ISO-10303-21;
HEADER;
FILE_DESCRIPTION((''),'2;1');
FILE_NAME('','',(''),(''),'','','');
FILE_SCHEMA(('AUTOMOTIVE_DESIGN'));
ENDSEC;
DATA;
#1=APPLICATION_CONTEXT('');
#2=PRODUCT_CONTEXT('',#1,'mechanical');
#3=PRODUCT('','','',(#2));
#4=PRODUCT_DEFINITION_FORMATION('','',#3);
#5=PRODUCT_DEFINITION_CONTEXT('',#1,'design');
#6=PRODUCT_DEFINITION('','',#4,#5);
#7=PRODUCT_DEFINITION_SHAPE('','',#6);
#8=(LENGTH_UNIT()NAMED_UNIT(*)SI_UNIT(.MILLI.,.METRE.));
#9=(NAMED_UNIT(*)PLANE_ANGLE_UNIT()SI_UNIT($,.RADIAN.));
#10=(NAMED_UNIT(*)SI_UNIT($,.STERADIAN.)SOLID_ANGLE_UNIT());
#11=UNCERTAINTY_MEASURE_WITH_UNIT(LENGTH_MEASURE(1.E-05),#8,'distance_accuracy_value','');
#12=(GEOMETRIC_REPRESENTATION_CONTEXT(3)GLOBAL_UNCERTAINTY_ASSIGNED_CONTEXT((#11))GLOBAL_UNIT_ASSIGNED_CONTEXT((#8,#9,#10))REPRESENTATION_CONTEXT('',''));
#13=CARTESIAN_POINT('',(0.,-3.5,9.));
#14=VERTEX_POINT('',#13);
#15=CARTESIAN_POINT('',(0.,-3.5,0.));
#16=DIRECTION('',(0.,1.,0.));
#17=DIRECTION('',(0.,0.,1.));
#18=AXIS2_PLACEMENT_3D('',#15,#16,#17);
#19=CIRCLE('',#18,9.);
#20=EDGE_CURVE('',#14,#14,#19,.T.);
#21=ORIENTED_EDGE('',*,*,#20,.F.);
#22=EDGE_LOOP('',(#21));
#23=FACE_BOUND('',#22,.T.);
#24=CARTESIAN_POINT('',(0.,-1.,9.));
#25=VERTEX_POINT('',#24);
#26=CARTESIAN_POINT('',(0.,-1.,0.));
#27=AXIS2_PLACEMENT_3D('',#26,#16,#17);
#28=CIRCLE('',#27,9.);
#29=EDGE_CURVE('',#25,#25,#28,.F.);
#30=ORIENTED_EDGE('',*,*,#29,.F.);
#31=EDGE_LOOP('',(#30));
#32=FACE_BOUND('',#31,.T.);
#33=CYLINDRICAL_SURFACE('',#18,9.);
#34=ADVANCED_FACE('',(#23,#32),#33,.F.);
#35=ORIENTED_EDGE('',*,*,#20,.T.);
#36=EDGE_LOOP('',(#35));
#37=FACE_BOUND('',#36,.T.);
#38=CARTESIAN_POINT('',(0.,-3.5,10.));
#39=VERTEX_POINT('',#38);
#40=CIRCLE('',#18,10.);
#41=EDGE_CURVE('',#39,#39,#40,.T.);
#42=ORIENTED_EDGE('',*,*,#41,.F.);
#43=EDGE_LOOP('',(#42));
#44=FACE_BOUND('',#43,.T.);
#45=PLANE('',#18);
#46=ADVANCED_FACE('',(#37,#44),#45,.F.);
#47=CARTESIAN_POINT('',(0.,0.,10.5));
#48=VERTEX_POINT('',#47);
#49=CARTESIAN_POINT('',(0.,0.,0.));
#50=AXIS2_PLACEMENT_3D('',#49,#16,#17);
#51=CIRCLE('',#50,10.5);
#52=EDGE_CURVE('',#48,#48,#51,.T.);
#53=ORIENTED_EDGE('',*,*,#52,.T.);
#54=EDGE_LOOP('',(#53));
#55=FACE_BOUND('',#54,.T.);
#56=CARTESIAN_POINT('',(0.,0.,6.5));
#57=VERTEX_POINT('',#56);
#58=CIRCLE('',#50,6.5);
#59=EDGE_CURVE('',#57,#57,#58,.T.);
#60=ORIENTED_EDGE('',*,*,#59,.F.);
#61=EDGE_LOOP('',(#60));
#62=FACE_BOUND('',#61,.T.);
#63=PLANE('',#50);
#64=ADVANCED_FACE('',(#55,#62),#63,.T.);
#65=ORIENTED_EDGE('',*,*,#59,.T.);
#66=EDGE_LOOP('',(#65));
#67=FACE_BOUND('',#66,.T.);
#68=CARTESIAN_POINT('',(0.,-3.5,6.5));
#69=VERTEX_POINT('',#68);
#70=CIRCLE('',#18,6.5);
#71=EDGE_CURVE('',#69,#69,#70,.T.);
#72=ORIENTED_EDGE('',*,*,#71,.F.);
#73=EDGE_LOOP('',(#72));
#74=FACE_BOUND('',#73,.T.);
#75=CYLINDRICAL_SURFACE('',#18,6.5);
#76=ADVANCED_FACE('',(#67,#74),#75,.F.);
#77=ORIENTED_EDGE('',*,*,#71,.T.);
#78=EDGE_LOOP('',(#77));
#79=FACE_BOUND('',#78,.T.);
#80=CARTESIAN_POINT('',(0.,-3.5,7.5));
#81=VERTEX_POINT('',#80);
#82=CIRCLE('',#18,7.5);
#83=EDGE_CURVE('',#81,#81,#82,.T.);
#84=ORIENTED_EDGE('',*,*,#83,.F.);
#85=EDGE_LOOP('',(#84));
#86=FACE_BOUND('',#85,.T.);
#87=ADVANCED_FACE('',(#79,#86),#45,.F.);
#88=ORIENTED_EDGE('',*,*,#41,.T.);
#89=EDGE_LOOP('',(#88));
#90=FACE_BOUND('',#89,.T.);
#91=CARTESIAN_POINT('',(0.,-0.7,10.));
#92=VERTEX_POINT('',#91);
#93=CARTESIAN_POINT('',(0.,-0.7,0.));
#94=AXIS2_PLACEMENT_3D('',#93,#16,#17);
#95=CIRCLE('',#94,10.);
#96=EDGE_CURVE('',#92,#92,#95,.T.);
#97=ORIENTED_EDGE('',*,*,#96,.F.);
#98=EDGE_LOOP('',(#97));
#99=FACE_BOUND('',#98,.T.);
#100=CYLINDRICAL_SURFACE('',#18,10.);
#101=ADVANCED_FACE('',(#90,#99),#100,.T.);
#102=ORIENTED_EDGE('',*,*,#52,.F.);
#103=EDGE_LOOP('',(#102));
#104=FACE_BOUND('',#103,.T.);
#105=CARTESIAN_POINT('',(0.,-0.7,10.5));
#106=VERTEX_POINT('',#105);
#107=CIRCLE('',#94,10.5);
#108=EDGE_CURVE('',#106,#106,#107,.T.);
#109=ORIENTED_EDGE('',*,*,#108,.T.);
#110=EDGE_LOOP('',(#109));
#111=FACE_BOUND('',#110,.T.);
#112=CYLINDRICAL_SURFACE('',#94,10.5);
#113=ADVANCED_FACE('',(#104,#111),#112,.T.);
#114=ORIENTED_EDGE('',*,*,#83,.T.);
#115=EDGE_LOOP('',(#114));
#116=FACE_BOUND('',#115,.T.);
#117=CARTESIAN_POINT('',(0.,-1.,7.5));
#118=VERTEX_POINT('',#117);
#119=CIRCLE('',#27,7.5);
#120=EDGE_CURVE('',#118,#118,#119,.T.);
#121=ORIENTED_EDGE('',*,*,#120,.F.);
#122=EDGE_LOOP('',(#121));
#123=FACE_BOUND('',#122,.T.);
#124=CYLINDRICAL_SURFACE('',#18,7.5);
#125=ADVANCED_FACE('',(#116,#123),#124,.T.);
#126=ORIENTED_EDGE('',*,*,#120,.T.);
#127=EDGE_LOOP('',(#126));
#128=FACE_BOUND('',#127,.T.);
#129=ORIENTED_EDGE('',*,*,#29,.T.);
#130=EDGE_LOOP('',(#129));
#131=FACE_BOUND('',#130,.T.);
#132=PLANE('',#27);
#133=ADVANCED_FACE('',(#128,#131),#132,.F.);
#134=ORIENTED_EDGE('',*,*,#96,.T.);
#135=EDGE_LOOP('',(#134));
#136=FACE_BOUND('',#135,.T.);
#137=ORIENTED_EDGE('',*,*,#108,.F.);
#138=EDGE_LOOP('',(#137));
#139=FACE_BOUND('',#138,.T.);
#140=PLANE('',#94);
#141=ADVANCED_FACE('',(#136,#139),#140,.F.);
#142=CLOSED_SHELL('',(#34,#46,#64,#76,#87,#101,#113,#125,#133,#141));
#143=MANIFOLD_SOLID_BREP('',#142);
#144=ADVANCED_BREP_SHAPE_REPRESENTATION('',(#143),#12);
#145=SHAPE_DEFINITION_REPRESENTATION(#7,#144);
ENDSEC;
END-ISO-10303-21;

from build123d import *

# Parameters (mm, degrees)
ESQUISSE1_R      = 10
ESQUISSE1_R_2    = 6.5
EXTRUSION1_DEPTH = 3.5
ESQUISSE2_R      = 10.5
ESQUISSE2_R_2    = 10
EXTRUSION2_DEPTH = 0.7
COQUE1_T         = -1


with BuildPart() as part:
    # Esquisse1 → Extrusion1 (new body)
    with BuildSketch(Plane(origin=(0, 0, 0), x_dir=(1, 0, 0), z_dir=(0, 1, 0))):
        with Locations(Location((0, 0, 0), (0, 0, 270))):  # turned: the seam where the file's is
            Circle(ESQUISSE1_R)
        with Locations(Location((0, 0, 0), (0, 0, 270))):  # turned: the seam where the file's is
            Circle(ESQUISSE1_R_2, mode=Mode.SUBTRACT)
    extrude(amount=-EXTRUSION1_DEPTH)

    # Esquisse2 → Extrusion2 (add)
    with BuildSketch(Plane(origin=(0, 0, 0), x_dir=(-1, 0, 0), z_dir=(0, 1, 0))):
        with Locations(Location((0, 0, 0), (0, 0, 90))):  # turned: the seam where the file's is
            Circle(ESQUISSE2_R)
        with Locations(Location((0, 0, 0), (0, 0, 90))):  # turned: the seam where the file's is
            Circle(ESQUISSE2_R_2, mode=Mode.SUBTRACT)
    extrude(amount=-EXTRUSION2_DEPTH)

    # Coque1
    coque1_openings = [part.faces().sort_by_distance(p)[0] for p in [
        (0, -3.5, -9.717157288),
    ]]
    offset(amount=COQUE1_T, openings=coque1_openings, kind=Kind.INTERSECTION)


solid = part.part
